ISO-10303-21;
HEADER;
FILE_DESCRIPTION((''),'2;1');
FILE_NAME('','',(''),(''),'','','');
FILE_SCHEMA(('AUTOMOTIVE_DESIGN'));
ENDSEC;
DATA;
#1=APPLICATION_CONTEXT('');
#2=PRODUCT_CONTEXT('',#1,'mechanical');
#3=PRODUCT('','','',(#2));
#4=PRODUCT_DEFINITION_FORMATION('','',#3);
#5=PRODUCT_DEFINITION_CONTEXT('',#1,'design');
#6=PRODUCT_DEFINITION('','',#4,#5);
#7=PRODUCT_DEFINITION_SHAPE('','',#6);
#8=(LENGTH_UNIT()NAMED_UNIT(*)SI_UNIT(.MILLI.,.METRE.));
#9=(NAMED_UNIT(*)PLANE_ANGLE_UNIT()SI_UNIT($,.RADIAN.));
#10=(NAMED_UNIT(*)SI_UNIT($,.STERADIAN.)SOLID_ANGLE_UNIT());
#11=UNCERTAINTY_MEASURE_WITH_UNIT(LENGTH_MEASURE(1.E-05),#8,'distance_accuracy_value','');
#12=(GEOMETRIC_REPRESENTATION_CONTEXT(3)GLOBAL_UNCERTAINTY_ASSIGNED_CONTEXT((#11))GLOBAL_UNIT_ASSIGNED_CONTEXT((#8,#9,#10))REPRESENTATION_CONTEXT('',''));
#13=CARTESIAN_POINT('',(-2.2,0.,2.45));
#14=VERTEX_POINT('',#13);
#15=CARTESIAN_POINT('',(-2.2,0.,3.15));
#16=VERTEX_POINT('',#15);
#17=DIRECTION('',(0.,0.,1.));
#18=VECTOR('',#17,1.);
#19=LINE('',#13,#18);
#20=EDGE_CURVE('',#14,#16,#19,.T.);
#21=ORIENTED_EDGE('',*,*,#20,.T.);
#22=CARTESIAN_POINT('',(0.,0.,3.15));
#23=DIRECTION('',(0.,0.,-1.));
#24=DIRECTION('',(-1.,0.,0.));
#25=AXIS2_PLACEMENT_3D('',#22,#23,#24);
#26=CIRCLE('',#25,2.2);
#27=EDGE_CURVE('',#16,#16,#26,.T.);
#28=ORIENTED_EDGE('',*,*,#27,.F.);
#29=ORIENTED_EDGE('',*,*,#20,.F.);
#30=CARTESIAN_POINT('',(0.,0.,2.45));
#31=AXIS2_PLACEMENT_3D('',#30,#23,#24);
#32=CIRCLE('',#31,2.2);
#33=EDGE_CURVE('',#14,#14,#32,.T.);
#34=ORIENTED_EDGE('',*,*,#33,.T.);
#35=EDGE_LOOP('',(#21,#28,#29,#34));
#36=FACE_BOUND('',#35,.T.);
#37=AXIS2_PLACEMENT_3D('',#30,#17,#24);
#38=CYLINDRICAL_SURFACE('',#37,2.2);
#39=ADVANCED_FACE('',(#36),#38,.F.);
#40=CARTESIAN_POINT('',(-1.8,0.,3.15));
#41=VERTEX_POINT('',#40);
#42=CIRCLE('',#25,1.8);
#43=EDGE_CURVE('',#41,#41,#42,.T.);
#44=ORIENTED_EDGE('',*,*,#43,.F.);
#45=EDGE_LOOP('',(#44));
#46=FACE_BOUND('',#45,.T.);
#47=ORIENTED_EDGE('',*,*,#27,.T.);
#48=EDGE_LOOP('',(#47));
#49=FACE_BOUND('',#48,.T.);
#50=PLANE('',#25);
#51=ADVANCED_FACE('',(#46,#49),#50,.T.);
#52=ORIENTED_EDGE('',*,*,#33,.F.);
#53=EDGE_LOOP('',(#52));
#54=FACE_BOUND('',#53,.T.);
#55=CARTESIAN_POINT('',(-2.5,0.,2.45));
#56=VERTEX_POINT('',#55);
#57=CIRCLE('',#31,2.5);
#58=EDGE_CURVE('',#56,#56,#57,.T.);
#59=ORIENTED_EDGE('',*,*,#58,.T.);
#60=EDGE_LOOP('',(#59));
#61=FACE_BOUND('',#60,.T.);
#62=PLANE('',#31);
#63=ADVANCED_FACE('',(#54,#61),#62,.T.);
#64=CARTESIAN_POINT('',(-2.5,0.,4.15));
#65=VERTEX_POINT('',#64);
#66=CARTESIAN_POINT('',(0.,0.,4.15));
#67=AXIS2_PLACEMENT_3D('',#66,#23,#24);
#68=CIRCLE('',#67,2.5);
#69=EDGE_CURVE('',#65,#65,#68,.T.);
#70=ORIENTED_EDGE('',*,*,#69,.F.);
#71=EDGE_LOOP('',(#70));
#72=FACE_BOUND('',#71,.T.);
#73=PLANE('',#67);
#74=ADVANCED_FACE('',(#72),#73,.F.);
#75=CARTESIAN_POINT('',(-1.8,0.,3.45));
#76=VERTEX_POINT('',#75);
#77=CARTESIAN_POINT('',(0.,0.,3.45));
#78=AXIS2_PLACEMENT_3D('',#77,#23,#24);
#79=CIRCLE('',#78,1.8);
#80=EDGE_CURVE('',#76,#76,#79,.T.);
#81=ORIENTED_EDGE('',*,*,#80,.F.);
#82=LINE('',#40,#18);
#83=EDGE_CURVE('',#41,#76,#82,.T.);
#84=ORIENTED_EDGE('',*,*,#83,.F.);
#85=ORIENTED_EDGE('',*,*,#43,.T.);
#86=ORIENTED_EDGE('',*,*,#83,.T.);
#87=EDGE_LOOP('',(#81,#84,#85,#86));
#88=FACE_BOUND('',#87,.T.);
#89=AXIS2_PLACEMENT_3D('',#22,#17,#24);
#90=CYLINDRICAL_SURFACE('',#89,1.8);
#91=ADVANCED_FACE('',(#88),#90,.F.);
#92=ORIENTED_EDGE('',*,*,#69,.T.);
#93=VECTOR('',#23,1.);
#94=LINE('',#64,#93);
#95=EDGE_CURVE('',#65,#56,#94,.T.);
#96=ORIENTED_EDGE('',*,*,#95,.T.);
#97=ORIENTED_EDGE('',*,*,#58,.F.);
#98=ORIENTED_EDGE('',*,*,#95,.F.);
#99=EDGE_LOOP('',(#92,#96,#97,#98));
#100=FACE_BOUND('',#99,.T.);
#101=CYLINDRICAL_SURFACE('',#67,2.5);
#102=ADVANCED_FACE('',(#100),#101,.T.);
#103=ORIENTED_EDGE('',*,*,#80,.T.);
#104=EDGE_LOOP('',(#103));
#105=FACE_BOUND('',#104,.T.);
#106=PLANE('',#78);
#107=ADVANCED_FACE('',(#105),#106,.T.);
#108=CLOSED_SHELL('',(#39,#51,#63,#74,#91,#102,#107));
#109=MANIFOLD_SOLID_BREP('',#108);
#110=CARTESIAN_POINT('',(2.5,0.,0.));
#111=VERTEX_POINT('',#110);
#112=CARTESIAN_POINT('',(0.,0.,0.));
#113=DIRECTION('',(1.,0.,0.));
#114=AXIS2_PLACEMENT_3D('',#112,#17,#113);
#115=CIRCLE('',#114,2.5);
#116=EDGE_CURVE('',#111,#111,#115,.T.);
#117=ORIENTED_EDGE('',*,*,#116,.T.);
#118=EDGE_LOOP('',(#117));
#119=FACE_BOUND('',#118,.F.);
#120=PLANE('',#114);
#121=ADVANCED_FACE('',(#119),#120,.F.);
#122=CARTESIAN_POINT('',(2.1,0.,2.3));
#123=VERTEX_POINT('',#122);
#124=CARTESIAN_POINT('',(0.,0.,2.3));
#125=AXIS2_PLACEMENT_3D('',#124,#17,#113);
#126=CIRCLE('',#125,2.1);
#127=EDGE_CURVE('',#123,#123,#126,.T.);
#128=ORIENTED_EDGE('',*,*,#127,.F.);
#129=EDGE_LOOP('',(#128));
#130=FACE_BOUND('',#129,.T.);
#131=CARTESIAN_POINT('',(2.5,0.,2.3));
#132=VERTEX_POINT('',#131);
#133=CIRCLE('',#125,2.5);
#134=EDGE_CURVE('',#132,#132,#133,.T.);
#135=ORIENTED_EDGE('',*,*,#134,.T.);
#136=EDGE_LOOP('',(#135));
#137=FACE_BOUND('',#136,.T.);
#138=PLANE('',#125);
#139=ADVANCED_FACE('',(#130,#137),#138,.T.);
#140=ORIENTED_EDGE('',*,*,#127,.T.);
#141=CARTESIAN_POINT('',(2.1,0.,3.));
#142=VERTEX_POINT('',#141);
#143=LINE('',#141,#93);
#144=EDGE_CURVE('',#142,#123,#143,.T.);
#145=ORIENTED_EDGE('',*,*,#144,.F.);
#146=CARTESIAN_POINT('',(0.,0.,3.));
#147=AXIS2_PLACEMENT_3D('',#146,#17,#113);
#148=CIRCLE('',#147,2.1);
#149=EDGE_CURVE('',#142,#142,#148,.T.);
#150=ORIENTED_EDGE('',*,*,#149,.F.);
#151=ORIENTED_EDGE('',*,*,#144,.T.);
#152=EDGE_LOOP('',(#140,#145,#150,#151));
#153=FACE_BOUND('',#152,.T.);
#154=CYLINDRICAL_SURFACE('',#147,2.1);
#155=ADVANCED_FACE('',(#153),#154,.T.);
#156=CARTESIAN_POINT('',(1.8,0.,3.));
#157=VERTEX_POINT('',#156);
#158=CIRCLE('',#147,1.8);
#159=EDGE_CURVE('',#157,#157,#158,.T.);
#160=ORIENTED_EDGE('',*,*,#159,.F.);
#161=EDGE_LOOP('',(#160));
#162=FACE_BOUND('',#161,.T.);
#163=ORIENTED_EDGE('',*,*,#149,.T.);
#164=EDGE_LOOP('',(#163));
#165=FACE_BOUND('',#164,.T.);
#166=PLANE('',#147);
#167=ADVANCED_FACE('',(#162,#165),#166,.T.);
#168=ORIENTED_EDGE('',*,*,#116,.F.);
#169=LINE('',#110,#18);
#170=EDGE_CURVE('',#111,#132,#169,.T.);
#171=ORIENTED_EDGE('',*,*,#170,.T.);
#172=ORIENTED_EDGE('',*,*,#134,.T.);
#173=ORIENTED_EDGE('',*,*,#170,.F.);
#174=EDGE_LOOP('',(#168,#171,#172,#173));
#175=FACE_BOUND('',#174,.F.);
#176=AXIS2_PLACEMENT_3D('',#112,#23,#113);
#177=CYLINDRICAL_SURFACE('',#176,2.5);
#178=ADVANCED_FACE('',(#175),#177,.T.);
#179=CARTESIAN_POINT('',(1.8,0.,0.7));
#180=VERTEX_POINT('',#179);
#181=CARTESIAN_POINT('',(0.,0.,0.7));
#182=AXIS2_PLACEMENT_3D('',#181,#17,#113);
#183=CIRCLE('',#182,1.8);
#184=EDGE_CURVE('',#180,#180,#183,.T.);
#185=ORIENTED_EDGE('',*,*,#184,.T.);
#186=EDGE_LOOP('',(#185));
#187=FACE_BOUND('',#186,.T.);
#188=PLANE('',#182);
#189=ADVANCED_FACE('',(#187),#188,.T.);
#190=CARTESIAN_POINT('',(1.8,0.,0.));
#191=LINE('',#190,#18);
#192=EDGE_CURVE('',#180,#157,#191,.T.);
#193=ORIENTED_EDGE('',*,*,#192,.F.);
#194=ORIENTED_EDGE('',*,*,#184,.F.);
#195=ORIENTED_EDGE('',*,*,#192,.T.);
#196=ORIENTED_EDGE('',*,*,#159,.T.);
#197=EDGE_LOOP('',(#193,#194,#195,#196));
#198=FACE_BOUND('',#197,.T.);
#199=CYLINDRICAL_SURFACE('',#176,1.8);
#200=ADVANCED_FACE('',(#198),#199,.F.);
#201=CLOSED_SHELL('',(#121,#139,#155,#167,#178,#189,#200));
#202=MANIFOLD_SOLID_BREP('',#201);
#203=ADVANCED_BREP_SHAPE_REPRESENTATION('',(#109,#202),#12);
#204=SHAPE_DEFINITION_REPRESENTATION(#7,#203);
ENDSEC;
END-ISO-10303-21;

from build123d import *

# Parameters (mm, degrees)
F0_R     = 2.5
F0_R_2   = 1.8
F1_DEPTH = 3
F2_DEPTH = 0.7
F3_R     = 2.5
F3_R_2   = 2.1
F4_DEPTH = 0.7


with BuildPart() as f1:
    # F0 (on Top) → F1 (new body)
    with BuildSketch(Plane.XY):
        Circle(F0_R)
        Circle(F0_R_2, mode=Mode.SUBTRACT)
    extrude(amount=F1_DEPTH)

    # F0 (on Top) → F2 (join)
    with BuildSketch(Plane.XY):
        Circle(F0_R_2)
    extrude(amount=F2_DEPTH)

    # F3 (on face) → F4 (cut)
    with BuildSketch(Plane.XY.offset(3)):
        Circle(F3_R)
        Circle(F3_R_2, mode=Mode.SUBTRACT)
    extrude(amount=-F4_DEPTH, mode=Mode.SUBTRACT)


with BuildPart() as f6:
    # F5 (on Front) → F6 (revolve)
    with BuildSketch(Plane.XZ):
        Polygon((-2.5, 4.15), (-2.5, 2.45), (-2.2, 2.45), (-2.2, 3.15), (-1.8, 3.15), (-1.8, 3.45), (0, 3.45), (0, 4.15), align=None)
    revolve(axis=Axis((0, 0, 2.075), (0, 0, -1)))


solid = Compound([f1.part, f6.part])
